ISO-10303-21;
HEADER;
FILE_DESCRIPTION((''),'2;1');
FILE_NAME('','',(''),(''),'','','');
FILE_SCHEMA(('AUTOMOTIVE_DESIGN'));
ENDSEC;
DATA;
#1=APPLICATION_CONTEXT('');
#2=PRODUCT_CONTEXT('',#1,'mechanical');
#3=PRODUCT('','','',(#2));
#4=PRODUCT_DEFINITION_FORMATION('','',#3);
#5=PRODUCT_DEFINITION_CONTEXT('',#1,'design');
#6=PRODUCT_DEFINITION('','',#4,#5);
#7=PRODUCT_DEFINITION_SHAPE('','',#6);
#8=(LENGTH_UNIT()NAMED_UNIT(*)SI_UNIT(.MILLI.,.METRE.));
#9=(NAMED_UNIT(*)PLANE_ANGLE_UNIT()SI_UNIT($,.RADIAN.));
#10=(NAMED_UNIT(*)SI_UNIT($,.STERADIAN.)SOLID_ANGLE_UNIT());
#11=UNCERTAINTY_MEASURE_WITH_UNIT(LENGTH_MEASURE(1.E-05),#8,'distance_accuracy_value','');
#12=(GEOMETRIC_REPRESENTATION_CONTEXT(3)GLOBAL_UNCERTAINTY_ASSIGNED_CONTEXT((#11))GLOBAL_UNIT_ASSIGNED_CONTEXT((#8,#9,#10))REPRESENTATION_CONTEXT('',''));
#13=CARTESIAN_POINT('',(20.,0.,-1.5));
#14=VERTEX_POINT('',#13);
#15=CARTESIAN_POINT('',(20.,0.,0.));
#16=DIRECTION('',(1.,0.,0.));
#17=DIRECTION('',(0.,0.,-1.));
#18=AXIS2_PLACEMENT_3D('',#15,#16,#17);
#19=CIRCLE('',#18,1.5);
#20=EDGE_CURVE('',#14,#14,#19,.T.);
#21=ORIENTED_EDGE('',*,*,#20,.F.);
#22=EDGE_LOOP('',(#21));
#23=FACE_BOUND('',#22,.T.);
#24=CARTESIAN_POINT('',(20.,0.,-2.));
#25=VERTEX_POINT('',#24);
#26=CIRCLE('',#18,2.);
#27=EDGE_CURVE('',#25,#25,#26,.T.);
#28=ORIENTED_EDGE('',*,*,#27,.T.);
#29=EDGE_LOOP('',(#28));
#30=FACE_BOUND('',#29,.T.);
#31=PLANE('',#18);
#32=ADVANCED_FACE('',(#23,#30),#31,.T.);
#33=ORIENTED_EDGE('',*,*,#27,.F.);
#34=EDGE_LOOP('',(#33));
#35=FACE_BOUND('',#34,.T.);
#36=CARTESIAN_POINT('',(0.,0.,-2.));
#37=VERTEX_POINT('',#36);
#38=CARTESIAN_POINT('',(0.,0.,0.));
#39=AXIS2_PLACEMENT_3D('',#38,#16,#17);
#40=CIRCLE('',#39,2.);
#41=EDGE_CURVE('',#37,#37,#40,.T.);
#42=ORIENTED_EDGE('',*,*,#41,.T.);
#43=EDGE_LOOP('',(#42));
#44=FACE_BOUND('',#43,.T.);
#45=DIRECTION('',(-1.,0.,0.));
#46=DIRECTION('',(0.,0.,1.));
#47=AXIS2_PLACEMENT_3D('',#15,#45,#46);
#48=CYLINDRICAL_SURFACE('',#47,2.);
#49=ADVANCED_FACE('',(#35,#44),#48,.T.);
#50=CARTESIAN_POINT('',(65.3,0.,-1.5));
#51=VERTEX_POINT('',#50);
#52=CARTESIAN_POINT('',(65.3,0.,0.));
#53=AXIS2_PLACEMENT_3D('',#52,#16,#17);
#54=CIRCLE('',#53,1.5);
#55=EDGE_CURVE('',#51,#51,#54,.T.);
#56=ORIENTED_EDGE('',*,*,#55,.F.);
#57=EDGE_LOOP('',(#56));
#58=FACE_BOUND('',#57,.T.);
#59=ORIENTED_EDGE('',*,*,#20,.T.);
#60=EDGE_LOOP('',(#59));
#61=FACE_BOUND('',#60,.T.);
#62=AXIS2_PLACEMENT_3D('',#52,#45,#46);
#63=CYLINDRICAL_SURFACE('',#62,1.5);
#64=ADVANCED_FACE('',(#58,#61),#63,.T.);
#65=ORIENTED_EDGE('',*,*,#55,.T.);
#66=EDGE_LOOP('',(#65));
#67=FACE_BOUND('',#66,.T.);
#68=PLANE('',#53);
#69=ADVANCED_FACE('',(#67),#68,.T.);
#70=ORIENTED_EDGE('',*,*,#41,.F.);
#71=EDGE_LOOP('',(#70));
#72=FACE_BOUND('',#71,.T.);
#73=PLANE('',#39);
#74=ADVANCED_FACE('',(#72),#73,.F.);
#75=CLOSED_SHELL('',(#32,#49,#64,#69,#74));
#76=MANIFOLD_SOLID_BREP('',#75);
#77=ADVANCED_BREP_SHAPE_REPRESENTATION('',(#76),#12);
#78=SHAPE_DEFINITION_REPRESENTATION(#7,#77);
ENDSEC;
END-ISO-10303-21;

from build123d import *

# Parameters (mm, degrees)
ESQUISSE1_R      = 2
EXTRUSION1_DEPTH = 20
ESQUISSE2_R      = 1.5
EXTRUSION2_DEPTH = 45.3


with BuildPart() as part:
    # Esquisse1 → Extrusion1 (new body)
    with BuildSketch(Plane(origin=(0, 0, 0), x_dir=(0, 0, -1), z_dir=(1, 0, 0))):
        Circle(ESQUISSE1_R)
    extrude(amount=EXTRUSION1_DEPTH)

    # Esquisse2 → Extrusion2 (add)
    with BuildSketch(Plane(origin=(20, 0, 0), x_dir=(0, 0, -1), z_dir=(1, 0, 0))):
        Circle(ESQUISSE2_R)
    extrude(amount=EXTRUSION2_DEPTH)


solid = part.part
